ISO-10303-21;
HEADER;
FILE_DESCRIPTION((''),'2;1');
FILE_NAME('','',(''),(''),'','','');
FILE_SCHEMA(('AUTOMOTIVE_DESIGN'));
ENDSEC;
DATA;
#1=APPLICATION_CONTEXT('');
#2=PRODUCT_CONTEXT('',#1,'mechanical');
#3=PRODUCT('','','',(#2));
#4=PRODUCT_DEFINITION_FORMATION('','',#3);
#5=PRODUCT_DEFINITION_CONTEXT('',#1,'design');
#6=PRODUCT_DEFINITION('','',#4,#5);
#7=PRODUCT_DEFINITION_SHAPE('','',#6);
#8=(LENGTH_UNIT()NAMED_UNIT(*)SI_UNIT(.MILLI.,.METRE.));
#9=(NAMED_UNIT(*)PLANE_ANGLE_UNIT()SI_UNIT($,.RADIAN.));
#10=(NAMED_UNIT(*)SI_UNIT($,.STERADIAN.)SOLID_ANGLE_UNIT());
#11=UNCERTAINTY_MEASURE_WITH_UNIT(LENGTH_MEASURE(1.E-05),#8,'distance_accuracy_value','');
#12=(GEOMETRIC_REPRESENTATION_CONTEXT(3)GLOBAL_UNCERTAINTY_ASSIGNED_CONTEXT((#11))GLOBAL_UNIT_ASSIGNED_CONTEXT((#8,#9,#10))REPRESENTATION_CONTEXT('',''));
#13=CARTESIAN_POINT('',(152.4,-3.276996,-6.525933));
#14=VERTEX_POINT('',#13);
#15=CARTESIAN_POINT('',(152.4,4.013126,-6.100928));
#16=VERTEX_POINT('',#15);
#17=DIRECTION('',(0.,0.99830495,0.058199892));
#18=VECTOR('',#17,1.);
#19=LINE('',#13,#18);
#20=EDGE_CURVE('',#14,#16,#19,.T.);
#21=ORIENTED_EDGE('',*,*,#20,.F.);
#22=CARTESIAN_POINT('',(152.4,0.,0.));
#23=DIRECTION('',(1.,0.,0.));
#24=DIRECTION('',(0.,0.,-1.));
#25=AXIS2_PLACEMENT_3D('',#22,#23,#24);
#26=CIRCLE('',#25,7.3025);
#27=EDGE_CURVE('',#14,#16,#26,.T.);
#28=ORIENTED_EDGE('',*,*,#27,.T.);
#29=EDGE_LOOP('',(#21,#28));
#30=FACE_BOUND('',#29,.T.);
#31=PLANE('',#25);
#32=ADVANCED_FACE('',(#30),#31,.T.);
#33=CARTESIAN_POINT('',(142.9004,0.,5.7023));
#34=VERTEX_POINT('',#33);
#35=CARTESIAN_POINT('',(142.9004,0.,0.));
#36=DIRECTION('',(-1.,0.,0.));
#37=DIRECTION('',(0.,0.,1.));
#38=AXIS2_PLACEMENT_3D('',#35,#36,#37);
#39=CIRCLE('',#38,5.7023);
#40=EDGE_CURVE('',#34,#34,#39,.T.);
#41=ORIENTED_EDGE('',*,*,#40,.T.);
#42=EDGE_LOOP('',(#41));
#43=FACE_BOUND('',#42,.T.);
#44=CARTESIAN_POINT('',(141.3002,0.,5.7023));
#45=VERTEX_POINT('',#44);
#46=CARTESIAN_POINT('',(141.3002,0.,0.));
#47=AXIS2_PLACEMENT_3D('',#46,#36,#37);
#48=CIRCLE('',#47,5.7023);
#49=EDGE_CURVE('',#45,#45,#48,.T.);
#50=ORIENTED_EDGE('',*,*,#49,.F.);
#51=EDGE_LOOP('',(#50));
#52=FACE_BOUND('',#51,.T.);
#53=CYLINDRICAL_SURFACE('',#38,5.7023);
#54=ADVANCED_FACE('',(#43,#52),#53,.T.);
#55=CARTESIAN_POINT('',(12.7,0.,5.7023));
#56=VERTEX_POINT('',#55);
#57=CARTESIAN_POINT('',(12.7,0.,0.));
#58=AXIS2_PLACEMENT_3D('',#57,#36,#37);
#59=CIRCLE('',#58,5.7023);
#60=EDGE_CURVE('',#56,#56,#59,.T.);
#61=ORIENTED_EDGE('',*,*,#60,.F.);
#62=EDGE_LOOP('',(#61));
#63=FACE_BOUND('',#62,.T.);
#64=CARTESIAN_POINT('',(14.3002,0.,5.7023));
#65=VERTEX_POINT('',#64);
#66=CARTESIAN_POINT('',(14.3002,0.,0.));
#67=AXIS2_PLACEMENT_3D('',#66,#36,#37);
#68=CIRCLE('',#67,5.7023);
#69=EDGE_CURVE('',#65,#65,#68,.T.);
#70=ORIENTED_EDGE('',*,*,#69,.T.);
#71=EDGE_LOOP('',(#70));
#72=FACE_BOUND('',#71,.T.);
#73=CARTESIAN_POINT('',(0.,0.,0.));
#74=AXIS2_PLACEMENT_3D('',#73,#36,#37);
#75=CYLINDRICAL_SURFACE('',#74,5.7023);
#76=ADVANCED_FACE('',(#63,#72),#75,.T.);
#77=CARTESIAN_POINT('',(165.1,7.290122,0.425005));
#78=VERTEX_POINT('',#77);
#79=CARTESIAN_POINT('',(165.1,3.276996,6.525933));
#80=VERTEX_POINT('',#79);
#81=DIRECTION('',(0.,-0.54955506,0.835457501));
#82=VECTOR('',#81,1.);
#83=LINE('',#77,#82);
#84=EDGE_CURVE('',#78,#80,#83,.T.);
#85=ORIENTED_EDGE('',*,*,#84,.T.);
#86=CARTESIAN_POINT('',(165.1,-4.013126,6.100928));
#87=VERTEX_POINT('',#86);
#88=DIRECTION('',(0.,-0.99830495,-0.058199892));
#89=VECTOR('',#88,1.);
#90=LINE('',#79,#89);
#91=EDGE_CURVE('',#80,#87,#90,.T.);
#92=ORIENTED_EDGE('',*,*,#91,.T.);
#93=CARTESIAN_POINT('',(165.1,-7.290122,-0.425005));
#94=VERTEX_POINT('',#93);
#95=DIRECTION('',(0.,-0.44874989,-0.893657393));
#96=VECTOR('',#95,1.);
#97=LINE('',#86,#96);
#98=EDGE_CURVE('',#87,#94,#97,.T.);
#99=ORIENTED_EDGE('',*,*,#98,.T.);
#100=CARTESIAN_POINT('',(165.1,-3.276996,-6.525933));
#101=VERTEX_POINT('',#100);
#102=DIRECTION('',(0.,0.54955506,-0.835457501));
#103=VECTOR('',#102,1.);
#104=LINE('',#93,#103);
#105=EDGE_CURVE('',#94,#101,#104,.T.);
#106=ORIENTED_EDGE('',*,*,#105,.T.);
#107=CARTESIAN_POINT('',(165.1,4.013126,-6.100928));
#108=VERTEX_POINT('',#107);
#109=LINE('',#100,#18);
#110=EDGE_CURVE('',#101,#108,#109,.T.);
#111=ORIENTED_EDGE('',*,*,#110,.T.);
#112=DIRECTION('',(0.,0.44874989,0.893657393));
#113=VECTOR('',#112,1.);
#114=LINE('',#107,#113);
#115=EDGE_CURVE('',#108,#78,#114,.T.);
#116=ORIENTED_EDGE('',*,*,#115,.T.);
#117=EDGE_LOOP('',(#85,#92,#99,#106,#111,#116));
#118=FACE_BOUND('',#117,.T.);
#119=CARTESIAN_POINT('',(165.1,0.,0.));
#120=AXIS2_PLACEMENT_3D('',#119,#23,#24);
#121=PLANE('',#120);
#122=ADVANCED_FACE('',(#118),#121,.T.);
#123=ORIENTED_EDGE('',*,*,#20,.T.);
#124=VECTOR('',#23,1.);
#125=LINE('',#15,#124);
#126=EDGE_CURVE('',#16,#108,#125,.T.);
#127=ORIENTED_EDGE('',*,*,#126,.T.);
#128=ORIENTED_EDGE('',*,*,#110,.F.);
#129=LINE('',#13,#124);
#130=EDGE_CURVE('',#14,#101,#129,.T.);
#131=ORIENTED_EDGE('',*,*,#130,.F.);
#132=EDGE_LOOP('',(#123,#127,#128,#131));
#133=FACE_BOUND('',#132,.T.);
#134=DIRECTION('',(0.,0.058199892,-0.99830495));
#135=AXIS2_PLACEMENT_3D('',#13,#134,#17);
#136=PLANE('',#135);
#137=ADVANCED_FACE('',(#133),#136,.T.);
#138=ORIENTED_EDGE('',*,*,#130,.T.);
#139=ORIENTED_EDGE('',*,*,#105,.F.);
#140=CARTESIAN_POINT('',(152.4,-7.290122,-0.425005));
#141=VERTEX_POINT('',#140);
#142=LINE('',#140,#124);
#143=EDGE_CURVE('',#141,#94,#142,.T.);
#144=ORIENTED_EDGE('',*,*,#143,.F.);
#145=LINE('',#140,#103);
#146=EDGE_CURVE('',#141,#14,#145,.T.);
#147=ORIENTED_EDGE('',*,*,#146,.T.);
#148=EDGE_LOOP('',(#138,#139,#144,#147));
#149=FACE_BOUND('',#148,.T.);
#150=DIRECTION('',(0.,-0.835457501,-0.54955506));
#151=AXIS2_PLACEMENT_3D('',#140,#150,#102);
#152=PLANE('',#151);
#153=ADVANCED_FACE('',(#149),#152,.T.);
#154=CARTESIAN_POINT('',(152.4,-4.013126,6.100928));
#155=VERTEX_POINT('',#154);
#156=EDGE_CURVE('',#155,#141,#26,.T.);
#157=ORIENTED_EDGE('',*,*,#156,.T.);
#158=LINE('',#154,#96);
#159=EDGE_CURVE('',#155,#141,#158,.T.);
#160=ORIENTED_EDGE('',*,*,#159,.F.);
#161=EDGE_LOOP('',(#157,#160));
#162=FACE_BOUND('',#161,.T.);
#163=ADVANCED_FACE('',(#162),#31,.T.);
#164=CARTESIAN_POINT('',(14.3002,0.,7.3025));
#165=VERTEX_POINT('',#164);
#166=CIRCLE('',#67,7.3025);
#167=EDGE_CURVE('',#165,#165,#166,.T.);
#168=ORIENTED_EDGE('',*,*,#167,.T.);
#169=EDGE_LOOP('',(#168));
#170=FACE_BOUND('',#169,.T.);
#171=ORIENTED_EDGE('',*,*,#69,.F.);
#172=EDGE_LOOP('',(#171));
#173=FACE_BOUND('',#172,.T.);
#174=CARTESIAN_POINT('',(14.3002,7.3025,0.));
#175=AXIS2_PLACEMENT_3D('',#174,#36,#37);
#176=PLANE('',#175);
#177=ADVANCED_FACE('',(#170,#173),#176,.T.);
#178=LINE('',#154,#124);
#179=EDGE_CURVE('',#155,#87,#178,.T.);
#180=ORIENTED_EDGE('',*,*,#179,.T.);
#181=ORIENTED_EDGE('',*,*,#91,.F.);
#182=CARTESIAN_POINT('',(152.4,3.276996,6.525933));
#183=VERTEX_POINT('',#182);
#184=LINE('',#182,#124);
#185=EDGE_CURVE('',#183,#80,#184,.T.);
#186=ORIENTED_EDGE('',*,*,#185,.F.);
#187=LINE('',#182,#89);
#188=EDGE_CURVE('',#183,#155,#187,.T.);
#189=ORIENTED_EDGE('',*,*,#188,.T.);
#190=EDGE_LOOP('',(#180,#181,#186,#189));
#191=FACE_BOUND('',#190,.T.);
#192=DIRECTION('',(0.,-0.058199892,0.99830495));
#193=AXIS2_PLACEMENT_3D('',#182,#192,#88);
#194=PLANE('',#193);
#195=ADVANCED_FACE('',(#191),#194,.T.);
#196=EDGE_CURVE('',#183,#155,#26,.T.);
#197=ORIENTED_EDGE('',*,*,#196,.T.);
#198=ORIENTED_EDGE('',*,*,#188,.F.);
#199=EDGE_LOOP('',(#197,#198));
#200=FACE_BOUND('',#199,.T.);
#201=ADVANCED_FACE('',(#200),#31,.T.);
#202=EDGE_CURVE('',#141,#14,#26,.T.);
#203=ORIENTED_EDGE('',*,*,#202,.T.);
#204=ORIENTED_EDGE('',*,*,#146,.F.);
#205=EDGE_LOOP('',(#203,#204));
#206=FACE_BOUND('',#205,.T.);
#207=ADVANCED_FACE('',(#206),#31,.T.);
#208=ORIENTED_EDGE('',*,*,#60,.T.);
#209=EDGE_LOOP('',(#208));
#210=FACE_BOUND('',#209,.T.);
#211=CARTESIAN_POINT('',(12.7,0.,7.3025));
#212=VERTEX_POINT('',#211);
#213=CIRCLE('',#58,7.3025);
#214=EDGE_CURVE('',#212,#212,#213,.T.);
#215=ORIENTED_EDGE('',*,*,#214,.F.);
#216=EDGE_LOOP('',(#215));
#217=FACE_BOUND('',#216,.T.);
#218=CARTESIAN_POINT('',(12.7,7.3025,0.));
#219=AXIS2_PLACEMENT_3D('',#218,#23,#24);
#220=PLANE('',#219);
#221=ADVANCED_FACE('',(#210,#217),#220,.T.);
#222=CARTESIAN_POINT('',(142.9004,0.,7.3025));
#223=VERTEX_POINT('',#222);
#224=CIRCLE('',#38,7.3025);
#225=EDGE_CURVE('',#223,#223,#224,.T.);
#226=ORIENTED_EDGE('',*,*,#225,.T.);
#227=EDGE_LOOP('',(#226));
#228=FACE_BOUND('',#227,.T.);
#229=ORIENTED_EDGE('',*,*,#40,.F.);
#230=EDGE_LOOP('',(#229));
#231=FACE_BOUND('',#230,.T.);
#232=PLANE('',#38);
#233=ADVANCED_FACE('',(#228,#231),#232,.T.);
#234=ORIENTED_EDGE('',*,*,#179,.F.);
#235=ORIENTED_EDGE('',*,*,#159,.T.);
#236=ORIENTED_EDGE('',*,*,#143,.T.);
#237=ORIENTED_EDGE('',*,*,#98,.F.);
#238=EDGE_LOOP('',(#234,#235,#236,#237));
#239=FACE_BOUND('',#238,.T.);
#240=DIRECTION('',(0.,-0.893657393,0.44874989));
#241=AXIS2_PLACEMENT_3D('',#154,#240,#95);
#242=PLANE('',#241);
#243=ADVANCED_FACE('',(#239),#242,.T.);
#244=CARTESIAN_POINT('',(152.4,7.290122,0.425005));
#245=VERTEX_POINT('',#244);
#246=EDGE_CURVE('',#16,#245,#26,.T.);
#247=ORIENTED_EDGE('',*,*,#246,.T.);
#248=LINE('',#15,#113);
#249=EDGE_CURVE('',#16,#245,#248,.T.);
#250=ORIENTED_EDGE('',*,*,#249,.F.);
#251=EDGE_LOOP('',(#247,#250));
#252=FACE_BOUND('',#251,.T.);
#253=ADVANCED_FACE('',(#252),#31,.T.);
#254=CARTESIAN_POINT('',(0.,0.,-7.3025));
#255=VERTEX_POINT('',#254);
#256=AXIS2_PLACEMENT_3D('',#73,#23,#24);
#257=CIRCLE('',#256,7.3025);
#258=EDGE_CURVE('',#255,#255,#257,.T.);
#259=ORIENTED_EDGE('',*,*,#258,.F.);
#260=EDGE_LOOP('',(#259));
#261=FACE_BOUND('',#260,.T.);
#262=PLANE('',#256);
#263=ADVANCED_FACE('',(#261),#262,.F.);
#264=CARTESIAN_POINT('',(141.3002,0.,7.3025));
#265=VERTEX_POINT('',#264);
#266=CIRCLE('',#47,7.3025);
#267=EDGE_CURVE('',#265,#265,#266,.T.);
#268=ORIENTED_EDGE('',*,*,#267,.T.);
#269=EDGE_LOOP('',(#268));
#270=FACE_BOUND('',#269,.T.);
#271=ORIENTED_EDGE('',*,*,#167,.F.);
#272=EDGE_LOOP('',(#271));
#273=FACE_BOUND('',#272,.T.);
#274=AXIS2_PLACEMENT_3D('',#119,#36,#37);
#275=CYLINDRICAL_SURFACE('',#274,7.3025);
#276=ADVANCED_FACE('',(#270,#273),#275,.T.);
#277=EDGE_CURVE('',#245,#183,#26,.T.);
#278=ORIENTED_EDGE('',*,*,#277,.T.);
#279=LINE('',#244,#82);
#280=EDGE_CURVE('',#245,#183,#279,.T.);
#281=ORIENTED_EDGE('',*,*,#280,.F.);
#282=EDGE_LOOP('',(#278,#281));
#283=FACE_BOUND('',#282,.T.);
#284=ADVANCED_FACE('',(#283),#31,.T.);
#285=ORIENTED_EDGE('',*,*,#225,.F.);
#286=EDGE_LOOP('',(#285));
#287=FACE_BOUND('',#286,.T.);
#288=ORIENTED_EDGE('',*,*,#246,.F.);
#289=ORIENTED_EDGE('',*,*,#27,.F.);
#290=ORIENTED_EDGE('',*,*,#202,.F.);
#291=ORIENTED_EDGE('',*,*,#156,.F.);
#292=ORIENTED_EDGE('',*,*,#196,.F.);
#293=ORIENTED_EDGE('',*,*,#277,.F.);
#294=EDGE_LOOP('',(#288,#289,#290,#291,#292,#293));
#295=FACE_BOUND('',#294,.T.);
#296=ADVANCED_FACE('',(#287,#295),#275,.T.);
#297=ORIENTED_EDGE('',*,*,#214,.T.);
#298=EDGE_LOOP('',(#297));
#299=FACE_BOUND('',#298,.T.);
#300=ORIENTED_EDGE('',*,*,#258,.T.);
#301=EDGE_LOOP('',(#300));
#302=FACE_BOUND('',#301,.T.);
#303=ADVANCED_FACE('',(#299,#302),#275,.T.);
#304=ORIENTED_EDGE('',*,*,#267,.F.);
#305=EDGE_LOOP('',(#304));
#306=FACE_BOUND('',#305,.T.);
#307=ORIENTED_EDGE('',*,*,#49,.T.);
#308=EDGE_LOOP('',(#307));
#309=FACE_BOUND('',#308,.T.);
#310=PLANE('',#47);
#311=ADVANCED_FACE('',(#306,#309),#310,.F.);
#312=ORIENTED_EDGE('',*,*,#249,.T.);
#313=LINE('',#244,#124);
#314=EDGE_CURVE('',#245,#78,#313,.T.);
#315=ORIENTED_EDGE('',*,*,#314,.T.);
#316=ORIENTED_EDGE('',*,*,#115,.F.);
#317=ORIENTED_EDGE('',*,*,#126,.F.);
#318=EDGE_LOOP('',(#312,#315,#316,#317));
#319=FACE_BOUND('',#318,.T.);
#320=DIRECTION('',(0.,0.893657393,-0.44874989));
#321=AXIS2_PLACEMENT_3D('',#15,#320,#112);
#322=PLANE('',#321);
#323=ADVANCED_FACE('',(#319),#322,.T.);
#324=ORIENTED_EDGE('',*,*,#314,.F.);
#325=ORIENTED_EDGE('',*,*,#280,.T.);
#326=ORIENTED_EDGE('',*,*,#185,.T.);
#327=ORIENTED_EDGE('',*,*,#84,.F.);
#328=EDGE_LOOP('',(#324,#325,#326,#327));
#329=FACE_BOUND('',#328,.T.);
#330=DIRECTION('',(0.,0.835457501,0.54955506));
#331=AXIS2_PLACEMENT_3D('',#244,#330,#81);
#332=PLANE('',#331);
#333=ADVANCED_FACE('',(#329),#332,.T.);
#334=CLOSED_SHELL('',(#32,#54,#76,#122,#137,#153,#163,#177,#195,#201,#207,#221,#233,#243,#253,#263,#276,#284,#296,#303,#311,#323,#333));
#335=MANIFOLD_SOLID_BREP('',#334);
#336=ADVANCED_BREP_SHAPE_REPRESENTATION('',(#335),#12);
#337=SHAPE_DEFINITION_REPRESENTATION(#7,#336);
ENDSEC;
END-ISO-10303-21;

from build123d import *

# Parameters (mm, degrees)
SKETCH2_R           = 7.3025
BOSS_EXTRUDE1_DEPTH = 165.1
SKETCH3_W           = 1.6002
SKETCH3_H           = 1.6002
SKETCH4_R           = 7.3025
SKETCH4_R_2         = 5.7023
CUT_EXTRUDE1_DEPTH  = 1.6002
SKETCH5_OUTSIDE_W   = 49.882
SKETCH5_OUTSIDE_H   = 49.882
CUT_EXTRUDE2_DEPTH  = 12.7


with BuildPart() as part:
    # Sketch2 → Boss-Extrude1 (new body)
    with BuildSketch(Plane(origin=(0, 0, 0), x_dir=(0, 0, -1), z_dir=(1, 0, 0))):
        Circle(SKETCH2_R)
    extrude(amount=BOSS_EXTRUDE1_DEPTH)

    # Sketch3 → Cut-Revolve1 (revolve, cut)
    with BuildSketch(Plane.XY, mode=Mode.PRIVATE) as cut_revolve1_sk:
        with Locations((13.5001, 6.5024)):
            Rectangle(SKETCH3_W, SKETCH3_H)
    revolve(cut_revolve1_sk.sketch.rotate(Axis((0, 0, 0), (1, 0, 0)), 90), axis=Axis((0, 0, 0), (1, 0, 0)), mode=Mode.SUBTRACT)

    # Sketch4 → Cut-Extrude1 (cut)
    with BuildSketch(Plane.ZY.offset(-141.3002)):
        Circle(SKETCH4_R)
        Circle(SKETCH4_R_2, mode=Mode.SUBTRACT)
    extrude(amount=-CUT_EXTRUDE1_DEPTH, mode=Mode.SUBTRACT)

    # Sketch5 outside → Cut-Extrude2 (cut)
    with BuildSketch(Plane(origin=(165.1, 0, 0), x_dir=(0, 0, -1), z_dir=(1, 0, 0))):
        Rectangle(SKETCH5_OUTSIDE_W, SKETCH5_OUTSIDE_H)
        Polygon((6.100928401, 4.013125827), (-0.425004714, 7.290121895), (-6.525933115, 3.276996068), (-6.100928401, -4.013125827), (0.425004714, -7.290121895), (6.525933115, -3.276996068), align=None, mode=Mode.SUBTRACT)
    extrude(amount=-CUT_EXTRUDE2_DEPTH, mode=Mode.SUBTRACT)


solid = part.part
